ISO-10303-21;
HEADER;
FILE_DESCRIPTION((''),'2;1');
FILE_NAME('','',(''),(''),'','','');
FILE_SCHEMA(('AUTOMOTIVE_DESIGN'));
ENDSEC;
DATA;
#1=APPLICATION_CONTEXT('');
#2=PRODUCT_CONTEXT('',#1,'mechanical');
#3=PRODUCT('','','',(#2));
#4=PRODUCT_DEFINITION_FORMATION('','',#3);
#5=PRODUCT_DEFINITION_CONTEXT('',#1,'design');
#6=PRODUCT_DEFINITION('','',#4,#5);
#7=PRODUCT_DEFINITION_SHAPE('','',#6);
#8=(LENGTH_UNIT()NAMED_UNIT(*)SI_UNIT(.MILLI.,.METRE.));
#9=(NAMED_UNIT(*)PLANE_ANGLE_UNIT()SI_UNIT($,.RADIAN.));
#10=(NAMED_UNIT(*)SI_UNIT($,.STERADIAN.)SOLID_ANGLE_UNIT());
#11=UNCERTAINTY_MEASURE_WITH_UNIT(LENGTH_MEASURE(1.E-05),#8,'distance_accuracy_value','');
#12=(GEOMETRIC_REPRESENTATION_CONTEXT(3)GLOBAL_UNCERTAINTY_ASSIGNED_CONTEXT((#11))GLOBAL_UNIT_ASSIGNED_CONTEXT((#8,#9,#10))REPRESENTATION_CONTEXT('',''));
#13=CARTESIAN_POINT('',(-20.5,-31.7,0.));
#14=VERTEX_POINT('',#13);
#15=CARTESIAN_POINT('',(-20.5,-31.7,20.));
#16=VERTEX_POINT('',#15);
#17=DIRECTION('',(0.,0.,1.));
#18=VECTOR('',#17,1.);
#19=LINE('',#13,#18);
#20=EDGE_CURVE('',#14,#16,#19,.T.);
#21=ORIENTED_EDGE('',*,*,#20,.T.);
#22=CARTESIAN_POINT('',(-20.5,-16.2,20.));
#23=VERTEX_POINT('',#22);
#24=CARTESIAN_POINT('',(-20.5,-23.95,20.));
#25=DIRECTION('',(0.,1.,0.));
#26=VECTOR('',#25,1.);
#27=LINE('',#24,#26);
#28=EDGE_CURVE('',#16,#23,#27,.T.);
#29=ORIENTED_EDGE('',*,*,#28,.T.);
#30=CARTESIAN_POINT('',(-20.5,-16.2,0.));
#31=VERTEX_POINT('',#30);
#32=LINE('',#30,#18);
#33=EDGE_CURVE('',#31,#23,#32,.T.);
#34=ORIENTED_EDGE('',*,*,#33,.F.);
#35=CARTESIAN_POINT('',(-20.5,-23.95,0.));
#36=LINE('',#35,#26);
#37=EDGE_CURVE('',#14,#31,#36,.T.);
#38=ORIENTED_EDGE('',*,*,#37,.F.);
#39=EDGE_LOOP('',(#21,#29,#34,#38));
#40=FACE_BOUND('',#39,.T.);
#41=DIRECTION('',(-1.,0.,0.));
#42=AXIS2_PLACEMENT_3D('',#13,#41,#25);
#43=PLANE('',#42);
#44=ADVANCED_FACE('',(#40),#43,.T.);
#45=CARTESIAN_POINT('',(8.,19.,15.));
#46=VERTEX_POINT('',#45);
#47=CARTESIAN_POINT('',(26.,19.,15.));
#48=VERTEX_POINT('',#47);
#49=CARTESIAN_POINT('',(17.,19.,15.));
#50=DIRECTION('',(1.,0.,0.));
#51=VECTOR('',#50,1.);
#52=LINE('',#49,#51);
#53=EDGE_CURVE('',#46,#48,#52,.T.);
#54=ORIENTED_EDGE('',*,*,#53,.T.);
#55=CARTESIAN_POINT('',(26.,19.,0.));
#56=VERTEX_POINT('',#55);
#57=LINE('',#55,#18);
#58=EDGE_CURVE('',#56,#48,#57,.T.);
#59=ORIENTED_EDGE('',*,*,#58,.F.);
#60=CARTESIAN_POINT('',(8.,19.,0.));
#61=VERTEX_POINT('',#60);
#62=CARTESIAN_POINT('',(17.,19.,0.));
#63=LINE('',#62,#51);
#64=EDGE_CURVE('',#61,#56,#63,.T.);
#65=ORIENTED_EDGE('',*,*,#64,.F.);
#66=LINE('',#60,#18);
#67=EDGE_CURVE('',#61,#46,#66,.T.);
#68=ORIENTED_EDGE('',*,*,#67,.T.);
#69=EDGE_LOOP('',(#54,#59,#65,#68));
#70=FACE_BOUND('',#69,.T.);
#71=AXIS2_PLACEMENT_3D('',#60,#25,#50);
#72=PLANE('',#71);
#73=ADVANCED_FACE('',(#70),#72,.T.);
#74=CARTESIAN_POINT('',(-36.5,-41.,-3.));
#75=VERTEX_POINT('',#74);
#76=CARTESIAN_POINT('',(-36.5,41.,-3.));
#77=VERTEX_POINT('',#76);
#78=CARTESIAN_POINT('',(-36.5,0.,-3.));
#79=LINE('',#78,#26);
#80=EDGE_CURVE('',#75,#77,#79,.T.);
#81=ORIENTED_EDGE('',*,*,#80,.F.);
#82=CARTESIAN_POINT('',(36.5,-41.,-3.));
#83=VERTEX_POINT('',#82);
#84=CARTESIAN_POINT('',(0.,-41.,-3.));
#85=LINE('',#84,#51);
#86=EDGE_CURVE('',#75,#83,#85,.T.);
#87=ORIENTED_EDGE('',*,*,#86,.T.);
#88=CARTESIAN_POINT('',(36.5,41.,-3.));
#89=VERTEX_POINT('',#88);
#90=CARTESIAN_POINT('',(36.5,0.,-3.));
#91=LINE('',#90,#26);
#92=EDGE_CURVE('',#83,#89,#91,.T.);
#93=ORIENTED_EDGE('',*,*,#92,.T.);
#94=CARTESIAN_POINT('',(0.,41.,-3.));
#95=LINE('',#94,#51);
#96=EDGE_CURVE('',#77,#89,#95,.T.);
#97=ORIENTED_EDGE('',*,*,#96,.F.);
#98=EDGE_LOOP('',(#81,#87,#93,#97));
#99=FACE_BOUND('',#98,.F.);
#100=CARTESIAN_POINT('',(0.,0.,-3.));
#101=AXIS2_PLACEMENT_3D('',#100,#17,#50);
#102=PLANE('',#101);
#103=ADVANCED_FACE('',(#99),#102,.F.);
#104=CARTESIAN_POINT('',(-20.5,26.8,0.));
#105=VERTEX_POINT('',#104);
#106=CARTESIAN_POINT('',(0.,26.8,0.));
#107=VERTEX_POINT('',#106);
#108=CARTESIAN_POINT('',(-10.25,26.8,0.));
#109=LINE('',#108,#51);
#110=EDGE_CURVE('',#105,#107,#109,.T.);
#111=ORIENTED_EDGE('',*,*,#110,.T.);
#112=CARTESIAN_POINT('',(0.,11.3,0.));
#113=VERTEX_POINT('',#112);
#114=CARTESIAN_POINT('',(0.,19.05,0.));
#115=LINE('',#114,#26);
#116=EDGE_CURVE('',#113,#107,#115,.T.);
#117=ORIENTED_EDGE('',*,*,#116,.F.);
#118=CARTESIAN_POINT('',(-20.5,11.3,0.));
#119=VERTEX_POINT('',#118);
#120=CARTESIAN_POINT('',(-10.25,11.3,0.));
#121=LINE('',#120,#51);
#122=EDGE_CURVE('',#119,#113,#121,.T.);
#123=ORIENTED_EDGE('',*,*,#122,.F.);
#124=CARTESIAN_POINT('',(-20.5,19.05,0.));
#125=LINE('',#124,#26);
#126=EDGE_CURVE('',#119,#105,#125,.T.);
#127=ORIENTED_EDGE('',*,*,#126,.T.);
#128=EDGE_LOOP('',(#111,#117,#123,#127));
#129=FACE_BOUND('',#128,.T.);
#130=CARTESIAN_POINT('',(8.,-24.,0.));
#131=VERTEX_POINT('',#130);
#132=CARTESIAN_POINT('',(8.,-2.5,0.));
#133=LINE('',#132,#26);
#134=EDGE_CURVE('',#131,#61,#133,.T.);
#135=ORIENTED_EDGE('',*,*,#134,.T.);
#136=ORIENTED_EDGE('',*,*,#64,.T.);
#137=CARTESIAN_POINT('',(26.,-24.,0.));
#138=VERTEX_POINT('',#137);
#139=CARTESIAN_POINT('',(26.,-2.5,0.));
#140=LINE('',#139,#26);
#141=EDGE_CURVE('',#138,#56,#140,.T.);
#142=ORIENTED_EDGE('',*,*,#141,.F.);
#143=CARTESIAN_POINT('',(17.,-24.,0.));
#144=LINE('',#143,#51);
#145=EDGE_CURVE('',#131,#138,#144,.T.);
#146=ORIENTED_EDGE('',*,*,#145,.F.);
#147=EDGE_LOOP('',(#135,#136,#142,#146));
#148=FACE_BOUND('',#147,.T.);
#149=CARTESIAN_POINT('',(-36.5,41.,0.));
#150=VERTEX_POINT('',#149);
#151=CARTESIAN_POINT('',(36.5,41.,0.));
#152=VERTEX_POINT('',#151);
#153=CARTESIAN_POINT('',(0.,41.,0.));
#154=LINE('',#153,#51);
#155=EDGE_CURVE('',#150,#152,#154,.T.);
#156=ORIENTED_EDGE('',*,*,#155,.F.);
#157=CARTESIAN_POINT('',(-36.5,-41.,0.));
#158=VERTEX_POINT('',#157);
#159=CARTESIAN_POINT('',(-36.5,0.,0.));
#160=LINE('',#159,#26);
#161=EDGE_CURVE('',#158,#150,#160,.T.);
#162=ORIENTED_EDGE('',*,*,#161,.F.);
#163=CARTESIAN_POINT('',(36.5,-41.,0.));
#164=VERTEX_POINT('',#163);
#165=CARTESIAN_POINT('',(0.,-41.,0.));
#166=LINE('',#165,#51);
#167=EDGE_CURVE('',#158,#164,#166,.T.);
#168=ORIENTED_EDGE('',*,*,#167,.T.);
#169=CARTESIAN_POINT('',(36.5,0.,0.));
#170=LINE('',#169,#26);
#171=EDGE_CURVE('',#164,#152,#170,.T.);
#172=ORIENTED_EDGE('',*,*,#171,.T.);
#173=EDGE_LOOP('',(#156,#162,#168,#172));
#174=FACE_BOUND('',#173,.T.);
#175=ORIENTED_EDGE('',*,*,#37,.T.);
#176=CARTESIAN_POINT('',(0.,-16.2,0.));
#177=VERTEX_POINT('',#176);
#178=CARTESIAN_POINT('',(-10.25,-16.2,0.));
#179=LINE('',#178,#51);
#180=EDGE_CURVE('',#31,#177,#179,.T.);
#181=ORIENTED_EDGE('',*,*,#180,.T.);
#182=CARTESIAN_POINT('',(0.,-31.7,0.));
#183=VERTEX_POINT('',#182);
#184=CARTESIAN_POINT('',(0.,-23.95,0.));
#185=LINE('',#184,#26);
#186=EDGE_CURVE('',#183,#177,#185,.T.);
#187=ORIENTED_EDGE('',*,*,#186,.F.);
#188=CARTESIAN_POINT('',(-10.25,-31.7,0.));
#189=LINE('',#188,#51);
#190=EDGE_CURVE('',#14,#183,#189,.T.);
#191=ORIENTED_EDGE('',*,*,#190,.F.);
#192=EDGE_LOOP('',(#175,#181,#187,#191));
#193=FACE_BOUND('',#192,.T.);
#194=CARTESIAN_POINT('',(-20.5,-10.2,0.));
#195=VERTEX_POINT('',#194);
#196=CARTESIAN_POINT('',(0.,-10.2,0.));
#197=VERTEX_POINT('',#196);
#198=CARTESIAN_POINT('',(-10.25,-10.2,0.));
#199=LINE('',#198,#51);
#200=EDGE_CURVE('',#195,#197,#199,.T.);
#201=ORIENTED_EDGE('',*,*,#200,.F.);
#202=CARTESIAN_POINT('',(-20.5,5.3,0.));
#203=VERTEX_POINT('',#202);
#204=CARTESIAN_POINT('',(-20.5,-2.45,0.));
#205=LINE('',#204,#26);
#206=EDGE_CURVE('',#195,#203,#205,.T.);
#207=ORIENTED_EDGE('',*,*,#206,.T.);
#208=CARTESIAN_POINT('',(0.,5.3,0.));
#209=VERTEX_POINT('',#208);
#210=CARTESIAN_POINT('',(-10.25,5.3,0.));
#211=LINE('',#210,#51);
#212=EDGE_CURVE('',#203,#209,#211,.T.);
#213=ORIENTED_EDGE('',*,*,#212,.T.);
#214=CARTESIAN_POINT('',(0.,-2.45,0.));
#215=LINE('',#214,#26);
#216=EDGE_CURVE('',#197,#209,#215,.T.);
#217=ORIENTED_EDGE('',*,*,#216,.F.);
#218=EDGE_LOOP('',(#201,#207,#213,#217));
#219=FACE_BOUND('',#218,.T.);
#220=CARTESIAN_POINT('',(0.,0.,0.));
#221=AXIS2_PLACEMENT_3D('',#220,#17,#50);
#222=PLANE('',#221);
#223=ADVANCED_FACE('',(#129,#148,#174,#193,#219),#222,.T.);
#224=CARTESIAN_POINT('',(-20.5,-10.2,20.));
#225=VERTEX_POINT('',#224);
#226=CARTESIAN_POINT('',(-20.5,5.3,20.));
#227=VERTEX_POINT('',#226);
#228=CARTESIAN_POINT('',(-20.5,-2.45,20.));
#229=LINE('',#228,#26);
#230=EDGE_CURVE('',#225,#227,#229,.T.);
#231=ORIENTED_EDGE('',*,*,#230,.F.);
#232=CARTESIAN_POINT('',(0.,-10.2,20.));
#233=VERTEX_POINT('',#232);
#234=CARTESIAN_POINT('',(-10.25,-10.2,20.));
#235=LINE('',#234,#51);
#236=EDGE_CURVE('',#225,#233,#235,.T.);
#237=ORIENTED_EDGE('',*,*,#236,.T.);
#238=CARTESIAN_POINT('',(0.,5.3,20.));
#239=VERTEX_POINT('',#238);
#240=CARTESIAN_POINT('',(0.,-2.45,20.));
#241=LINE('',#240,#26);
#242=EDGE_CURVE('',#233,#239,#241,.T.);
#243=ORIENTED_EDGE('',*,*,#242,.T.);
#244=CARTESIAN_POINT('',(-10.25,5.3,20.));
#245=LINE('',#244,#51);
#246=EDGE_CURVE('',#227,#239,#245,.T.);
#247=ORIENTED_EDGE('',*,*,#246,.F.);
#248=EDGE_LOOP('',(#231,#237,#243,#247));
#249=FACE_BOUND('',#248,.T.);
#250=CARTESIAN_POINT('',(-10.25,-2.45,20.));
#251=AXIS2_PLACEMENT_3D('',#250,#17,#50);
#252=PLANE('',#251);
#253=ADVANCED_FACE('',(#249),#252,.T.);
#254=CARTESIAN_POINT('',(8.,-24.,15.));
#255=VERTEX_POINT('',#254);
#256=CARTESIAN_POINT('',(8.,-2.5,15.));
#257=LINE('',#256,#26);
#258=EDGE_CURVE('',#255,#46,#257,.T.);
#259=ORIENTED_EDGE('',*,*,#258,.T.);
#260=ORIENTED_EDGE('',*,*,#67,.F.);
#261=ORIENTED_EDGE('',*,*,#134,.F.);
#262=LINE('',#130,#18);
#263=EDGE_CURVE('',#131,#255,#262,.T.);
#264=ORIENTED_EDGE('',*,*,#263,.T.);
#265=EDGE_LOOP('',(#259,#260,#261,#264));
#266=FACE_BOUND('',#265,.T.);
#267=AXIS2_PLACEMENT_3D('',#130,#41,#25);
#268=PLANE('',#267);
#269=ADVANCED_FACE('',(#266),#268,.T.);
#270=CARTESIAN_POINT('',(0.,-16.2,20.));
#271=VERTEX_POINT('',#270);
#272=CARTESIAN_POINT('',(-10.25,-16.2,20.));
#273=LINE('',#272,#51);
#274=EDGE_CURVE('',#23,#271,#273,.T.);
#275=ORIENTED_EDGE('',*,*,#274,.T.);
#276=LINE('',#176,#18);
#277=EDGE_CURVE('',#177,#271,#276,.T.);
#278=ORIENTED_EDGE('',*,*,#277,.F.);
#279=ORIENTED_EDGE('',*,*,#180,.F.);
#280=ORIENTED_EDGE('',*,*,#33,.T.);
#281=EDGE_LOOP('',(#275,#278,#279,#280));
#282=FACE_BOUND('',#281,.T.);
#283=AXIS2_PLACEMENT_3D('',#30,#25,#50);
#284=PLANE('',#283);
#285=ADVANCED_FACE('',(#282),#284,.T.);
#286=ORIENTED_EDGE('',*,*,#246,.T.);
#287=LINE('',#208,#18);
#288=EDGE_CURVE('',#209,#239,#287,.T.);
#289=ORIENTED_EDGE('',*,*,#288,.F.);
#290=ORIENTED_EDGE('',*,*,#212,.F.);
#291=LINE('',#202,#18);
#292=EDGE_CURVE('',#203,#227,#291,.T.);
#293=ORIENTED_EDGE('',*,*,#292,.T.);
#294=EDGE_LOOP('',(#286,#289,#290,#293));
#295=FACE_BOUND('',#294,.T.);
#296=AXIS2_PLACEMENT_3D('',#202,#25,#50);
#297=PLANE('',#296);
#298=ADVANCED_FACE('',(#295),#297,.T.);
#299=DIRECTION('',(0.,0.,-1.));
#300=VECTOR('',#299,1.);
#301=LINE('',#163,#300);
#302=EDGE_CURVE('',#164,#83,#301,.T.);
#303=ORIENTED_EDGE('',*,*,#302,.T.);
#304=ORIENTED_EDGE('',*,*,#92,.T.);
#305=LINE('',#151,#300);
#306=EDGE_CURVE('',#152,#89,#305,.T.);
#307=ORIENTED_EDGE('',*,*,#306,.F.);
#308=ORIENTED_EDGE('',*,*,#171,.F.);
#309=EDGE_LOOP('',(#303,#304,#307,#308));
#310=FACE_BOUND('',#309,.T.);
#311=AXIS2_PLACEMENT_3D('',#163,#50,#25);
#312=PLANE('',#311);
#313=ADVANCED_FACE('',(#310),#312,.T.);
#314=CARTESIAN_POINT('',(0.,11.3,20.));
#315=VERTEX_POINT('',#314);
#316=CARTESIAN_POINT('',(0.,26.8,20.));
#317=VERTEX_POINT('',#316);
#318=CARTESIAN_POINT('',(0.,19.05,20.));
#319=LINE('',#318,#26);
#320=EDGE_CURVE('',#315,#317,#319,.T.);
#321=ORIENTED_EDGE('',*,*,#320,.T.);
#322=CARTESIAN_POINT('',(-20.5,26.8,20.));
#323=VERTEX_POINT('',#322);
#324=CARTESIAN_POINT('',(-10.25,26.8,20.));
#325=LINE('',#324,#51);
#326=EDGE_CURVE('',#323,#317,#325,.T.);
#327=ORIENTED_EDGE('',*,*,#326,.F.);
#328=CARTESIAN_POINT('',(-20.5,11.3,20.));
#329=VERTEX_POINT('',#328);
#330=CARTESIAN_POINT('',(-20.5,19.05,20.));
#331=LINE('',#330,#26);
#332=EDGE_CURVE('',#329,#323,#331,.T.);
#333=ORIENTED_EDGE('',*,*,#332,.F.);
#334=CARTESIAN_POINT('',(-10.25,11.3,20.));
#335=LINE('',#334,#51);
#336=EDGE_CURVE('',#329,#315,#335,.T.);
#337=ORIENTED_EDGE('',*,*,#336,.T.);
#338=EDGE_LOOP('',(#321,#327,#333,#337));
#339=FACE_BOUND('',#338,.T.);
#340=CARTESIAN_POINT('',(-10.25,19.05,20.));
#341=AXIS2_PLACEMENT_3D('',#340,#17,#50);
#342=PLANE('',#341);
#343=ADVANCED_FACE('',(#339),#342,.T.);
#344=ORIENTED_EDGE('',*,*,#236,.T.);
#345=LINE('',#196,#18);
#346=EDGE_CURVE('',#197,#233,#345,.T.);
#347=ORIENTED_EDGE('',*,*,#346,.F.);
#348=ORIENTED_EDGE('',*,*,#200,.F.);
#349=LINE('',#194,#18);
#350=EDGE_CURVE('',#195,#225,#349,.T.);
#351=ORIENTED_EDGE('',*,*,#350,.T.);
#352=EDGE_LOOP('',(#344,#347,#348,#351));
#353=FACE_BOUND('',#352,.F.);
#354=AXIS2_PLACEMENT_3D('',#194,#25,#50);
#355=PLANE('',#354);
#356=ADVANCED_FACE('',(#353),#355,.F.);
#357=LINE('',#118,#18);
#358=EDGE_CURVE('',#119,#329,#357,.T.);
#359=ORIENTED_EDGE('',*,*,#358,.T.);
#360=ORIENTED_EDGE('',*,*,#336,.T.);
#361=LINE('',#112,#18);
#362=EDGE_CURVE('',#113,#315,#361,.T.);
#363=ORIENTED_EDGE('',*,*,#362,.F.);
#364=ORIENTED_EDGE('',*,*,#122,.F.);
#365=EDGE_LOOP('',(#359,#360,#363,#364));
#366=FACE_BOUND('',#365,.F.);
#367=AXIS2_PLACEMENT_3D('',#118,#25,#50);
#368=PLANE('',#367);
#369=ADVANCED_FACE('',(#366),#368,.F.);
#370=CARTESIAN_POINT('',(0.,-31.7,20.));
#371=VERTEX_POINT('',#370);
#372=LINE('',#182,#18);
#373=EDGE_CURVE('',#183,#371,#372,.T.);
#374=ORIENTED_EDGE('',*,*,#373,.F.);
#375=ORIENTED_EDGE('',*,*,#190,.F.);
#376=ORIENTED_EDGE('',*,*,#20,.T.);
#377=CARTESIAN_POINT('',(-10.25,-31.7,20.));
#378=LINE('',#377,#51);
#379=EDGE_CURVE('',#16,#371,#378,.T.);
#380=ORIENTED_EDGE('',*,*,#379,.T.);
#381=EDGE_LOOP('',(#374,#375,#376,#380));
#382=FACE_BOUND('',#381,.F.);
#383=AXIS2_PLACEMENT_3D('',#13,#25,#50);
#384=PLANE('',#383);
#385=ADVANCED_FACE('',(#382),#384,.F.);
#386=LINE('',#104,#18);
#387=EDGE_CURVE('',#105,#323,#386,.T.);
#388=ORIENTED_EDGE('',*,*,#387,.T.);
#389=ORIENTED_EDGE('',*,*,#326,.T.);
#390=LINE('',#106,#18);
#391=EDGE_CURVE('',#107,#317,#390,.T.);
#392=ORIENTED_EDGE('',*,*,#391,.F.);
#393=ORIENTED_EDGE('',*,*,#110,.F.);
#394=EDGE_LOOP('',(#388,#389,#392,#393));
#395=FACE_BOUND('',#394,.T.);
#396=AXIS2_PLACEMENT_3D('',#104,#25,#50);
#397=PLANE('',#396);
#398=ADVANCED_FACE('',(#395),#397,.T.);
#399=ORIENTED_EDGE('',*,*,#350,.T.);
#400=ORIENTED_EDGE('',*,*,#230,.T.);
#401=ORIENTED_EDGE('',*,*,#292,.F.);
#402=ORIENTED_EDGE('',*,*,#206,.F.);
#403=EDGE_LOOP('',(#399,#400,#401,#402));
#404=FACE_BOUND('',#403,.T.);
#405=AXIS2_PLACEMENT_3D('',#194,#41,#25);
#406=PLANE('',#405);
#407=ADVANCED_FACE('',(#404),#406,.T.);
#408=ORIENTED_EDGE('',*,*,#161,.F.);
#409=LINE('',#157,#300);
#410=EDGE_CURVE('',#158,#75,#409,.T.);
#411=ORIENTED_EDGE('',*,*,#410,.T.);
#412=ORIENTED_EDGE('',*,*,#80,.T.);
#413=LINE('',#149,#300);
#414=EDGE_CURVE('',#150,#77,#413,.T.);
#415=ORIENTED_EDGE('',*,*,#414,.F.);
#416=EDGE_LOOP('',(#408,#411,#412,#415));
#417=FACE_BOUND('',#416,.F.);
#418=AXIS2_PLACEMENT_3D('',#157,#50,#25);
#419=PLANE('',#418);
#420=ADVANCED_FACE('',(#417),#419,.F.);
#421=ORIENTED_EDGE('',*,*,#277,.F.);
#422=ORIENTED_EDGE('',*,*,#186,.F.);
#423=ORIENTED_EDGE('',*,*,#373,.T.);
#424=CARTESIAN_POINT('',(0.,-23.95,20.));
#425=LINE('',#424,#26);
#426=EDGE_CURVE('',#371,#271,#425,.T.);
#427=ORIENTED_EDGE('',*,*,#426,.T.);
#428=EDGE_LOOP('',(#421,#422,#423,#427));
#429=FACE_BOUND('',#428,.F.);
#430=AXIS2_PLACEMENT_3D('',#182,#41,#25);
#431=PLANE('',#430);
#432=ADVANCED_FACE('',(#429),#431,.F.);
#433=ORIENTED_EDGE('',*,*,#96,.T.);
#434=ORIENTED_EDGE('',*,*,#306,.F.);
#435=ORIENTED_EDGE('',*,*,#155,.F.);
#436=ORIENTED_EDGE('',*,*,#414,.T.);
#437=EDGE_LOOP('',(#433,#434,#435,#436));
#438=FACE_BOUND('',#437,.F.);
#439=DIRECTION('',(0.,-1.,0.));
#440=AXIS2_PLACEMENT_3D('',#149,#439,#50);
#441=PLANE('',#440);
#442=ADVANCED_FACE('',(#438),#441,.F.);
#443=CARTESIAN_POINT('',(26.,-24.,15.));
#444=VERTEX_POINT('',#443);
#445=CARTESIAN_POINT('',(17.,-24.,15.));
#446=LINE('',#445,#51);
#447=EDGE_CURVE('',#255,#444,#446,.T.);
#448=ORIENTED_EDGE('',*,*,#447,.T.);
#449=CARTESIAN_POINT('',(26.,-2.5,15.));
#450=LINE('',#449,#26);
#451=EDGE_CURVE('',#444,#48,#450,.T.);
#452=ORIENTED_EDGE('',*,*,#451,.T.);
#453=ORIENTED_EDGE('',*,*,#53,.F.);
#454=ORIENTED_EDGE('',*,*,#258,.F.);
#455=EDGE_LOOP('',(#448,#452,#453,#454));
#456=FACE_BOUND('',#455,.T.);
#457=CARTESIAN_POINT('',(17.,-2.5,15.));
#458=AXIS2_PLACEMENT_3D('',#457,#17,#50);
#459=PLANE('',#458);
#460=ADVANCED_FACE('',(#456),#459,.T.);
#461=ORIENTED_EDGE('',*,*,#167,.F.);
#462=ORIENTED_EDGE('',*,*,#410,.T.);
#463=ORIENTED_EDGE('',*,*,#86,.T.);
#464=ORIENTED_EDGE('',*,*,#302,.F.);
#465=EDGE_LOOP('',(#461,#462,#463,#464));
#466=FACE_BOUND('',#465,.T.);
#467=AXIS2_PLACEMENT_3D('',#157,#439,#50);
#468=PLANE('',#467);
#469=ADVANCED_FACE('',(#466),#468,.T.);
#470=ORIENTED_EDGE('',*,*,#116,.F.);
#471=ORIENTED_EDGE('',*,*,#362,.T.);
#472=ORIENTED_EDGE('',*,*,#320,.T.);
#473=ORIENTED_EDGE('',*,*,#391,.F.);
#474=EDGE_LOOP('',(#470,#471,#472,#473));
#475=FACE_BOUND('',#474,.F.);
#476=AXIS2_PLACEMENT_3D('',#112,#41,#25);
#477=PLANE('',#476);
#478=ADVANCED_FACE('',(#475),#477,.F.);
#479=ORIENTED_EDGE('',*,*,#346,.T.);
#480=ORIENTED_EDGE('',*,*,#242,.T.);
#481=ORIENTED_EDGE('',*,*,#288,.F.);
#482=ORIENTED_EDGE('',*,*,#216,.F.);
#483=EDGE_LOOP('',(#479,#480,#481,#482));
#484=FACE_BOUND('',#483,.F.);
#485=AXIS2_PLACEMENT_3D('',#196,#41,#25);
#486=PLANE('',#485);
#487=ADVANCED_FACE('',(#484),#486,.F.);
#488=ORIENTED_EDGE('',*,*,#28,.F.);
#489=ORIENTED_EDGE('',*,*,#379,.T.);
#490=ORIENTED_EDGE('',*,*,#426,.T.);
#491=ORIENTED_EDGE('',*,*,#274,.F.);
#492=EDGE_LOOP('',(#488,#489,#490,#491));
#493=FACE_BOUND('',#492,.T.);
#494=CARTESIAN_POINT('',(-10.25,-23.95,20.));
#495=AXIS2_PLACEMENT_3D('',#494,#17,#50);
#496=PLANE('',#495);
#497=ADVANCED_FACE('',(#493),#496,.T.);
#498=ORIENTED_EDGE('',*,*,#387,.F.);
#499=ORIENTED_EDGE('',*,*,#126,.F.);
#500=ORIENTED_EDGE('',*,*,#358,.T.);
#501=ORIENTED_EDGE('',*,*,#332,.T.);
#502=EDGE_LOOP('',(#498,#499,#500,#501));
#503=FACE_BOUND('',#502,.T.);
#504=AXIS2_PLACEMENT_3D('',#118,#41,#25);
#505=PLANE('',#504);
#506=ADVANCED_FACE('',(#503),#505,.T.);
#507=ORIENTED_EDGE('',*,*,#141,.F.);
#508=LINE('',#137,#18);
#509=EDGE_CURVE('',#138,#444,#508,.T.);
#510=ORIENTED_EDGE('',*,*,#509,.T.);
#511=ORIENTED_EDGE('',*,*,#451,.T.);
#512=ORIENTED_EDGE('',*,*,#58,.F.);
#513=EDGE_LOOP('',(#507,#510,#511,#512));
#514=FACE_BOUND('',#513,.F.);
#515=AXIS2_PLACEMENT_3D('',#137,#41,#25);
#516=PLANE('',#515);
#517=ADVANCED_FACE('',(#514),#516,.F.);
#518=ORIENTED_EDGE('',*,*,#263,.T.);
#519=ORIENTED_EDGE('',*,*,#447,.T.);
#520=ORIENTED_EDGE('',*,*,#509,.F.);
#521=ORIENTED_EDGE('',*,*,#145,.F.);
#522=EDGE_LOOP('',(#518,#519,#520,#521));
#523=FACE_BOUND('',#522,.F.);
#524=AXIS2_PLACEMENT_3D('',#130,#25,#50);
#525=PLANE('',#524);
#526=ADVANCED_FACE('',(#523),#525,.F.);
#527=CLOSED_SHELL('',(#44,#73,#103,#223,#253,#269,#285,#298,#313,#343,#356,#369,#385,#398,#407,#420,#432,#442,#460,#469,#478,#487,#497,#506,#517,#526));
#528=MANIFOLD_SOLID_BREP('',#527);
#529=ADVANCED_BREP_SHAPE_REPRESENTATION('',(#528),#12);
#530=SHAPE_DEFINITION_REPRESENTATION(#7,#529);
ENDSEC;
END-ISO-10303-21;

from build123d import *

# Parameters (mm, degrees)
F0_W     = 73
F0_H     = 82
F0_W_2   = 20.5
F0_H_2   = 15.5
F0_W_3   = 18
F0_H_3   = 43
F1_DEPTH = 3
F2_DEPTH = 20
F3_DEPTH = 15


with BuildPart() as f1:
    # F0 (on Top) → F1 (new body)
    with BuildSketch(Plane.XY):
        Rectangle(F0_W, F0_H)
        with Locations((-10.25, -23.95)):
            Rectangle(F0_W_2, F0_H_2, mode=Mode.SUBTRACT)
        with Locations((-10.25, -2.45)):
            Rectangle(F0_W_2, F0_H_2, mode=Mode.SUBTRACT)
        with Locations((17, -2.5)):
            Rectangle(F0_W_3, F0_H_3, mode=Mode.SUBTRACT)
        with Locations((-10.25, 19.05)):
            Rectangle(F0_W_2, F0_H_2, mode=Mode.SUBTRACT)
        with Locations((17, -2.5)):
            Rectangle(F0_W_3, F0_H_3)
        with Locations((-10.25, -2.45)):
            Rectangle(F0_W_2, F0_H_2)
        with Locations((-10.25, -23.95)):
            Rectangle(F0_W_2, F0_H_2)
        with Locations((-10.25, 19.05)):
            Rectangle(F0_W_2, F0_H_2)
    extrude(amount=-F1_DEPTH)

    # F0 (on Top) → F2 (join)
    with BuildSketch(Plane.XY):
        with Locations((-10.25, -23.95)):
            Rectangle(F0_W_2, F0_H_2)
        with Locations((-10.25, -2.45)):
            Rectangle(F0_W_2, F0_H_2)
        with Locations((-10.25, 19.05)):
            Rectangle(F0_W_2, F0_H_2)
    extrude(amount=F2_DEPTH)

    # F0 (on Top) → F3 (join)
    with BuildSketch(Plane.XY):
        with Locations((17, -2.5)):
            Rectangle(F0_W_3, F0_H_3)
    extrude(amount=F3_DEPTH)


solid = f1.part
